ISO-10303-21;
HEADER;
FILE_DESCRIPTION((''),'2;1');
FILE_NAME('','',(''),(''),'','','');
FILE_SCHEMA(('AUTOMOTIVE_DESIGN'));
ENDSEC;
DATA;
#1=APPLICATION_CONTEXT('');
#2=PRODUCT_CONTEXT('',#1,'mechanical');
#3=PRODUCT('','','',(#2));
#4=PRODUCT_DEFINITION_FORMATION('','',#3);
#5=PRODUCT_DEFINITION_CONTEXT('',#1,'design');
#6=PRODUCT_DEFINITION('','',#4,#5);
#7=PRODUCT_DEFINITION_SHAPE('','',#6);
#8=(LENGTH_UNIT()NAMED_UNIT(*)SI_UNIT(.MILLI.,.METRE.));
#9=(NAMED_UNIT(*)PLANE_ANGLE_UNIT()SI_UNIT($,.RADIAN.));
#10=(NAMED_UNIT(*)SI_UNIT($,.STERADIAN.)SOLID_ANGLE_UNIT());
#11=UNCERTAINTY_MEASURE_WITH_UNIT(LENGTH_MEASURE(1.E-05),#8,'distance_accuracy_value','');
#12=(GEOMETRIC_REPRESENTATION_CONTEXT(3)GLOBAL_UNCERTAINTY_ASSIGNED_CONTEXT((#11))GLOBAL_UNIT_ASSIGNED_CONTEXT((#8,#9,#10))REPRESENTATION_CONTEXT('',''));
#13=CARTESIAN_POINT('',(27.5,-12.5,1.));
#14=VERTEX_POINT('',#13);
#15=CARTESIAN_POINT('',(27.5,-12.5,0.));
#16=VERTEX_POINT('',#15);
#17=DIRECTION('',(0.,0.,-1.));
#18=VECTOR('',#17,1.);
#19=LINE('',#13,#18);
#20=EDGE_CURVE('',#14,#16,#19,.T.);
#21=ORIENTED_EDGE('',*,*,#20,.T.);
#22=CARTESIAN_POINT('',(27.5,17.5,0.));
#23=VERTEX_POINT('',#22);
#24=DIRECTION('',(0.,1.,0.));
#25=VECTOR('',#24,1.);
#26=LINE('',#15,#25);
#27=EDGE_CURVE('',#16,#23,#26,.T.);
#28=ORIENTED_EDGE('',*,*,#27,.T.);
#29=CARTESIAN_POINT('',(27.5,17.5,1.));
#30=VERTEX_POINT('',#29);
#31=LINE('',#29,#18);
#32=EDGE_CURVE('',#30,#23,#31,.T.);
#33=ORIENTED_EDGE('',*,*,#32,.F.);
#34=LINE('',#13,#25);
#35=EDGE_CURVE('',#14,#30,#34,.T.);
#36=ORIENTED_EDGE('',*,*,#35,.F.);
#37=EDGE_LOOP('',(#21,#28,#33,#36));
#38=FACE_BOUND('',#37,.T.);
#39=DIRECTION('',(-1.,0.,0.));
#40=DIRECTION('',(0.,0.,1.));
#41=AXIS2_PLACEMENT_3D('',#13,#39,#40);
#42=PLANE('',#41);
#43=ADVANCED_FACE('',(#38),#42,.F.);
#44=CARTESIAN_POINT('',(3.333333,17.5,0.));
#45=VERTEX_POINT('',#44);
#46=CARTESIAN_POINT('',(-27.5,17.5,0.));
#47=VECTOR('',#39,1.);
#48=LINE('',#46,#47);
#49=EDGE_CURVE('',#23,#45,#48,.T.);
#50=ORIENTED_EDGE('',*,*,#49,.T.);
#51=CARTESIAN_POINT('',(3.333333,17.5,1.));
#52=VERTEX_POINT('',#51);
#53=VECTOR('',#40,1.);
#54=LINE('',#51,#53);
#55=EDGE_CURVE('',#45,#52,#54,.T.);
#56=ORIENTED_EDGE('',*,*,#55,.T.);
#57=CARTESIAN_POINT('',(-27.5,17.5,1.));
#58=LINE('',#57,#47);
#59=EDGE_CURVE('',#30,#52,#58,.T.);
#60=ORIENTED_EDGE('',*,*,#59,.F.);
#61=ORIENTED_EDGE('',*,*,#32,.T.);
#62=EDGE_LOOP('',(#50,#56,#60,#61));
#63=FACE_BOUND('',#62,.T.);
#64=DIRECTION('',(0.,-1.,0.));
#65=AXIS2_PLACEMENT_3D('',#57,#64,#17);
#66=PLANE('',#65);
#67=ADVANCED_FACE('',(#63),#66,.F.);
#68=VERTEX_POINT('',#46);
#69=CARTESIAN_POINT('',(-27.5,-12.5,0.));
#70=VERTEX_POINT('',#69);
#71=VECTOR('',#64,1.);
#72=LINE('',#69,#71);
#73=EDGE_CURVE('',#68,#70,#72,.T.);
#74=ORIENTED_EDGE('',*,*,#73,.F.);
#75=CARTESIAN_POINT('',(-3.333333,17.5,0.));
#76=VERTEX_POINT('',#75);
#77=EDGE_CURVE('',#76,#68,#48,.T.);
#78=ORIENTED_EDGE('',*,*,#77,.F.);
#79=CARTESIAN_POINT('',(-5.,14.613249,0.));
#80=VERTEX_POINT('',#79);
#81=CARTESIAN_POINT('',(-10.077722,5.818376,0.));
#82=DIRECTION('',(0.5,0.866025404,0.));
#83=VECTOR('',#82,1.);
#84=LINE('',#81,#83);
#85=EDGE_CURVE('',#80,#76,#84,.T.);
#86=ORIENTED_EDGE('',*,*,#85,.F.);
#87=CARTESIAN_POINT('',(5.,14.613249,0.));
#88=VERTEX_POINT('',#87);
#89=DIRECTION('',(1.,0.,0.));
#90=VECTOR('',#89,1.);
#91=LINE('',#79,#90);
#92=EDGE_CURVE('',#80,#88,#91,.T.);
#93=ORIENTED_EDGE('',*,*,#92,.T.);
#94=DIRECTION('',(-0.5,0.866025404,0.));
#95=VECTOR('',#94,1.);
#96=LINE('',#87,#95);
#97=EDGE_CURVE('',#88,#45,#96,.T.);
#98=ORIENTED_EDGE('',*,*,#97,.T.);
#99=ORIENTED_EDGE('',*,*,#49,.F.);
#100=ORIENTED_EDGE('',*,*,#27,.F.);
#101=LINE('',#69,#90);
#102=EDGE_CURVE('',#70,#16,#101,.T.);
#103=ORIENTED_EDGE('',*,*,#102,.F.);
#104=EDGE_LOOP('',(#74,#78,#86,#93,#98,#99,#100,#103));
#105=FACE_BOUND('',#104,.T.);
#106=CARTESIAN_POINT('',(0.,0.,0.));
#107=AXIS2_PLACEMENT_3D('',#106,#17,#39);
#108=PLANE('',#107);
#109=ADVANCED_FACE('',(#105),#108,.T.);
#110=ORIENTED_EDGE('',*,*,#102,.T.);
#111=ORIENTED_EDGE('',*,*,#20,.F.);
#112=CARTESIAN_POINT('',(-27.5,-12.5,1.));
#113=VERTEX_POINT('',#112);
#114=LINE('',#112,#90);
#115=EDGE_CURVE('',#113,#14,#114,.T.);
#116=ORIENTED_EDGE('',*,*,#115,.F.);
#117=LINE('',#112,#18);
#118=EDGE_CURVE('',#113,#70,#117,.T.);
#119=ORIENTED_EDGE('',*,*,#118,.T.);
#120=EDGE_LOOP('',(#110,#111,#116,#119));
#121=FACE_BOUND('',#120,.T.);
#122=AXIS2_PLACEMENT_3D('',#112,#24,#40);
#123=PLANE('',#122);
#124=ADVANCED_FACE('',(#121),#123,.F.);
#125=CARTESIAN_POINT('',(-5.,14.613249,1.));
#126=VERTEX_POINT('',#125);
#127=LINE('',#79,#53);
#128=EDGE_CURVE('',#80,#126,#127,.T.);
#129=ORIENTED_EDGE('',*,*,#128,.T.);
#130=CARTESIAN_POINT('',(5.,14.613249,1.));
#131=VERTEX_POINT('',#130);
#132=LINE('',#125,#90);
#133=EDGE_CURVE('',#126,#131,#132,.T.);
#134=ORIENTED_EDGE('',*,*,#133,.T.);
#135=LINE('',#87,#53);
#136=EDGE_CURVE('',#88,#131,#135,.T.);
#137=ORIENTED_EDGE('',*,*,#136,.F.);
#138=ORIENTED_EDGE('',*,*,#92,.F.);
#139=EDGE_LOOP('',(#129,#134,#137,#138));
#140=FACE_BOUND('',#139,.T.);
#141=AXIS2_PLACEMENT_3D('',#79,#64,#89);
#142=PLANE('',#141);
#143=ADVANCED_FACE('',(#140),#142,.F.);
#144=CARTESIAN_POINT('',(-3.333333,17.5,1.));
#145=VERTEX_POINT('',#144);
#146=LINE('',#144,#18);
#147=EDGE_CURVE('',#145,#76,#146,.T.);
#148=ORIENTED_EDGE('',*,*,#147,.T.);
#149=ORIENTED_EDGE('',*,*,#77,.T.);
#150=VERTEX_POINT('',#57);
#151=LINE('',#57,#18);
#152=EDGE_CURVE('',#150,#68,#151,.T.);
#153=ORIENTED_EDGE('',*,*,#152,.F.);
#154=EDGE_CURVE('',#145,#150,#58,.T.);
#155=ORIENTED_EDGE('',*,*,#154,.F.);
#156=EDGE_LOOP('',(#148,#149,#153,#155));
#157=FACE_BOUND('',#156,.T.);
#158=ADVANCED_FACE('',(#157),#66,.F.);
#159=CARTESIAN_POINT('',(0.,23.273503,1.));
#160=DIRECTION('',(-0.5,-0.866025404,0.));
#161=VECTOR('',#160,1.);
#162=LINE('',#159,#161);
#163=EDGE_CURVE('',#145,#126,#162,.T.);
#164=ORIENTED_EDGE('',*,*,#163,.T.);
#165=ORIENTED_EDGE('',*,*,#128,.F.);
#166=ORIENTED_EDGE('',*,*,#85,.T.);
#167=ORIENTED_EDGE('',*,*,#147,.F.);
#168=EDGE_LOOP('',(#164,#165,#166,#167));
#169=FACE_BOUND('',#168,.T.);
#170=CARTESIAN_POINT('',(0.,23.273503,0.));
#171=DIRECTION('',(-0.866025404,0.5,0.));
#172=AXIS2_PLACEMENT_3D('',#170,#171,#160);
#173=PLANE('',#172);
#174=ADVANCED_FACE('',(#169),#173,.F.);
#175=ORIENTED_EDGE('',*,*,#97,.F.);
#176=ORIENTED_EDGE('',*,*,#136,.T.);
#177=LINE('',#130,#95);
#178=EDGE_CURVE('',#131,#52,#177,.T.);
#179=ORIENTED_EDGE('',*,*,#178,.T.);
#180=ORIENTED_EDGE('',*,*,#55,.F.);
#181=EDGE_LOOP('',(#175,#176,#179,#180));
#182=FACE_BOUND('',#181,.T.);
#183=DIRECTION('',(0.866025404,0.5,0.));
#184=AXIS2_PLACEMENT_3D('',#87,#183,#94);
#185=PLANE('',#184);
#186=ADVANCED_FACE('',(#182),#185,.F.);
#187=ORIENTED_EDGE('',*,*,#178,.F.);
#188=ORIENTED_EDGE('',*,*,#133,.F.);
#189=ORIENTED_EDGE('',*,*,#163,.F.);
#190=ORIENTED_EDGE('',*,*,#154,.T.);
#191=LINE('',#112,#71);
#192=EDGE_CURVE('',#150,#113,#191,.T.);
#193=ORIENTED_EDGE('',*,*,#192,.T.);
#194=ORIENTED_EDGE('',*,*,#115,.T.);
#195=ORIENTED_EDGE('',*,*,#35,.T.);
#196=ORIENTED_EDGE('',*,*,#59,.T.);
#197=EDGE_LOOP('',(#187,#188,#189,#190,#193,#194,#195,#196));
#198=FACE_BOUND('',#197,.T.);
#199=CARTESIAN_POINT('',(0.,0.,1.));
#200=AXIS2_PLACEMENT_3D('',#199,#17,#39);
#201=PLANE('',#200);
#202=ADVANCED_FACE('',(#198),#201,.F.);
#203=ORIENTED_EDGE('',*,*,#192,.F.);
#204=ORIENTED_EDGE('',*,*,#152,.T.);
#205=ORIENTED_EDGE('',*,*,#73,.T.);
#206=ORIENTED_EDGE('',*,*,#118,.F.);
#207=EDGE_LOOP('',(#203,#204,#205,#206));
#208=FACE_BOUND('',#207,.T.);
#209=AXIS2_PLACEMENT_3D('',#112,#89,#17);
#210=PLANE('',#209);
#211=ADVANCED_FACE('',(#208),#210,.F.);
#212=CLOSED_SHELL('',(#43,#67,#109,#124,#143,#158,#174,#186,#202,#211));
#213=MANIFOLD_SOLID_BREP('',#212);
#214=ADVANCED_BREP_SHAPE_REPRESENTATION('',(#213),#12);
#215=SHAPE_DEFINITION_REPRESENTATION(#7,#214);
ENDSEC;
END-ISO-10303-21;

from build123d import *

# Parameters (mm, degrees)
SKETCH1_W           = 55
SKETCH1_H           = 30
BOSS_EXTRUDE1_DEPTH = 1
CUT_EXTRUDE1_DEPTH  = 33.611347718


with BuildPart() as part:
    # Sketch1 → Boss-Extrude1 (new body)
    with BuildSketch(Plane.XY):
        with Locations((0, 2.5)):
            Rectangle(SKETCH1_W, SKETCH1_H)
    extrude(amount=BOSS_EXTRUDE1_DEPTH)

    # Sketch2 → Cut-Extrude1 (cut, through all)
    with BuildSketch(Plane.XY.offset(1)):
        Polygon((0, 23.273502692), (-5, 14.613248654), (5, 14.613248654), align=None)
    extrude(amount=-CUT_EXTRUDE1_DEPTH, mode=Mode.SUBTRACT)


solid = part.part
